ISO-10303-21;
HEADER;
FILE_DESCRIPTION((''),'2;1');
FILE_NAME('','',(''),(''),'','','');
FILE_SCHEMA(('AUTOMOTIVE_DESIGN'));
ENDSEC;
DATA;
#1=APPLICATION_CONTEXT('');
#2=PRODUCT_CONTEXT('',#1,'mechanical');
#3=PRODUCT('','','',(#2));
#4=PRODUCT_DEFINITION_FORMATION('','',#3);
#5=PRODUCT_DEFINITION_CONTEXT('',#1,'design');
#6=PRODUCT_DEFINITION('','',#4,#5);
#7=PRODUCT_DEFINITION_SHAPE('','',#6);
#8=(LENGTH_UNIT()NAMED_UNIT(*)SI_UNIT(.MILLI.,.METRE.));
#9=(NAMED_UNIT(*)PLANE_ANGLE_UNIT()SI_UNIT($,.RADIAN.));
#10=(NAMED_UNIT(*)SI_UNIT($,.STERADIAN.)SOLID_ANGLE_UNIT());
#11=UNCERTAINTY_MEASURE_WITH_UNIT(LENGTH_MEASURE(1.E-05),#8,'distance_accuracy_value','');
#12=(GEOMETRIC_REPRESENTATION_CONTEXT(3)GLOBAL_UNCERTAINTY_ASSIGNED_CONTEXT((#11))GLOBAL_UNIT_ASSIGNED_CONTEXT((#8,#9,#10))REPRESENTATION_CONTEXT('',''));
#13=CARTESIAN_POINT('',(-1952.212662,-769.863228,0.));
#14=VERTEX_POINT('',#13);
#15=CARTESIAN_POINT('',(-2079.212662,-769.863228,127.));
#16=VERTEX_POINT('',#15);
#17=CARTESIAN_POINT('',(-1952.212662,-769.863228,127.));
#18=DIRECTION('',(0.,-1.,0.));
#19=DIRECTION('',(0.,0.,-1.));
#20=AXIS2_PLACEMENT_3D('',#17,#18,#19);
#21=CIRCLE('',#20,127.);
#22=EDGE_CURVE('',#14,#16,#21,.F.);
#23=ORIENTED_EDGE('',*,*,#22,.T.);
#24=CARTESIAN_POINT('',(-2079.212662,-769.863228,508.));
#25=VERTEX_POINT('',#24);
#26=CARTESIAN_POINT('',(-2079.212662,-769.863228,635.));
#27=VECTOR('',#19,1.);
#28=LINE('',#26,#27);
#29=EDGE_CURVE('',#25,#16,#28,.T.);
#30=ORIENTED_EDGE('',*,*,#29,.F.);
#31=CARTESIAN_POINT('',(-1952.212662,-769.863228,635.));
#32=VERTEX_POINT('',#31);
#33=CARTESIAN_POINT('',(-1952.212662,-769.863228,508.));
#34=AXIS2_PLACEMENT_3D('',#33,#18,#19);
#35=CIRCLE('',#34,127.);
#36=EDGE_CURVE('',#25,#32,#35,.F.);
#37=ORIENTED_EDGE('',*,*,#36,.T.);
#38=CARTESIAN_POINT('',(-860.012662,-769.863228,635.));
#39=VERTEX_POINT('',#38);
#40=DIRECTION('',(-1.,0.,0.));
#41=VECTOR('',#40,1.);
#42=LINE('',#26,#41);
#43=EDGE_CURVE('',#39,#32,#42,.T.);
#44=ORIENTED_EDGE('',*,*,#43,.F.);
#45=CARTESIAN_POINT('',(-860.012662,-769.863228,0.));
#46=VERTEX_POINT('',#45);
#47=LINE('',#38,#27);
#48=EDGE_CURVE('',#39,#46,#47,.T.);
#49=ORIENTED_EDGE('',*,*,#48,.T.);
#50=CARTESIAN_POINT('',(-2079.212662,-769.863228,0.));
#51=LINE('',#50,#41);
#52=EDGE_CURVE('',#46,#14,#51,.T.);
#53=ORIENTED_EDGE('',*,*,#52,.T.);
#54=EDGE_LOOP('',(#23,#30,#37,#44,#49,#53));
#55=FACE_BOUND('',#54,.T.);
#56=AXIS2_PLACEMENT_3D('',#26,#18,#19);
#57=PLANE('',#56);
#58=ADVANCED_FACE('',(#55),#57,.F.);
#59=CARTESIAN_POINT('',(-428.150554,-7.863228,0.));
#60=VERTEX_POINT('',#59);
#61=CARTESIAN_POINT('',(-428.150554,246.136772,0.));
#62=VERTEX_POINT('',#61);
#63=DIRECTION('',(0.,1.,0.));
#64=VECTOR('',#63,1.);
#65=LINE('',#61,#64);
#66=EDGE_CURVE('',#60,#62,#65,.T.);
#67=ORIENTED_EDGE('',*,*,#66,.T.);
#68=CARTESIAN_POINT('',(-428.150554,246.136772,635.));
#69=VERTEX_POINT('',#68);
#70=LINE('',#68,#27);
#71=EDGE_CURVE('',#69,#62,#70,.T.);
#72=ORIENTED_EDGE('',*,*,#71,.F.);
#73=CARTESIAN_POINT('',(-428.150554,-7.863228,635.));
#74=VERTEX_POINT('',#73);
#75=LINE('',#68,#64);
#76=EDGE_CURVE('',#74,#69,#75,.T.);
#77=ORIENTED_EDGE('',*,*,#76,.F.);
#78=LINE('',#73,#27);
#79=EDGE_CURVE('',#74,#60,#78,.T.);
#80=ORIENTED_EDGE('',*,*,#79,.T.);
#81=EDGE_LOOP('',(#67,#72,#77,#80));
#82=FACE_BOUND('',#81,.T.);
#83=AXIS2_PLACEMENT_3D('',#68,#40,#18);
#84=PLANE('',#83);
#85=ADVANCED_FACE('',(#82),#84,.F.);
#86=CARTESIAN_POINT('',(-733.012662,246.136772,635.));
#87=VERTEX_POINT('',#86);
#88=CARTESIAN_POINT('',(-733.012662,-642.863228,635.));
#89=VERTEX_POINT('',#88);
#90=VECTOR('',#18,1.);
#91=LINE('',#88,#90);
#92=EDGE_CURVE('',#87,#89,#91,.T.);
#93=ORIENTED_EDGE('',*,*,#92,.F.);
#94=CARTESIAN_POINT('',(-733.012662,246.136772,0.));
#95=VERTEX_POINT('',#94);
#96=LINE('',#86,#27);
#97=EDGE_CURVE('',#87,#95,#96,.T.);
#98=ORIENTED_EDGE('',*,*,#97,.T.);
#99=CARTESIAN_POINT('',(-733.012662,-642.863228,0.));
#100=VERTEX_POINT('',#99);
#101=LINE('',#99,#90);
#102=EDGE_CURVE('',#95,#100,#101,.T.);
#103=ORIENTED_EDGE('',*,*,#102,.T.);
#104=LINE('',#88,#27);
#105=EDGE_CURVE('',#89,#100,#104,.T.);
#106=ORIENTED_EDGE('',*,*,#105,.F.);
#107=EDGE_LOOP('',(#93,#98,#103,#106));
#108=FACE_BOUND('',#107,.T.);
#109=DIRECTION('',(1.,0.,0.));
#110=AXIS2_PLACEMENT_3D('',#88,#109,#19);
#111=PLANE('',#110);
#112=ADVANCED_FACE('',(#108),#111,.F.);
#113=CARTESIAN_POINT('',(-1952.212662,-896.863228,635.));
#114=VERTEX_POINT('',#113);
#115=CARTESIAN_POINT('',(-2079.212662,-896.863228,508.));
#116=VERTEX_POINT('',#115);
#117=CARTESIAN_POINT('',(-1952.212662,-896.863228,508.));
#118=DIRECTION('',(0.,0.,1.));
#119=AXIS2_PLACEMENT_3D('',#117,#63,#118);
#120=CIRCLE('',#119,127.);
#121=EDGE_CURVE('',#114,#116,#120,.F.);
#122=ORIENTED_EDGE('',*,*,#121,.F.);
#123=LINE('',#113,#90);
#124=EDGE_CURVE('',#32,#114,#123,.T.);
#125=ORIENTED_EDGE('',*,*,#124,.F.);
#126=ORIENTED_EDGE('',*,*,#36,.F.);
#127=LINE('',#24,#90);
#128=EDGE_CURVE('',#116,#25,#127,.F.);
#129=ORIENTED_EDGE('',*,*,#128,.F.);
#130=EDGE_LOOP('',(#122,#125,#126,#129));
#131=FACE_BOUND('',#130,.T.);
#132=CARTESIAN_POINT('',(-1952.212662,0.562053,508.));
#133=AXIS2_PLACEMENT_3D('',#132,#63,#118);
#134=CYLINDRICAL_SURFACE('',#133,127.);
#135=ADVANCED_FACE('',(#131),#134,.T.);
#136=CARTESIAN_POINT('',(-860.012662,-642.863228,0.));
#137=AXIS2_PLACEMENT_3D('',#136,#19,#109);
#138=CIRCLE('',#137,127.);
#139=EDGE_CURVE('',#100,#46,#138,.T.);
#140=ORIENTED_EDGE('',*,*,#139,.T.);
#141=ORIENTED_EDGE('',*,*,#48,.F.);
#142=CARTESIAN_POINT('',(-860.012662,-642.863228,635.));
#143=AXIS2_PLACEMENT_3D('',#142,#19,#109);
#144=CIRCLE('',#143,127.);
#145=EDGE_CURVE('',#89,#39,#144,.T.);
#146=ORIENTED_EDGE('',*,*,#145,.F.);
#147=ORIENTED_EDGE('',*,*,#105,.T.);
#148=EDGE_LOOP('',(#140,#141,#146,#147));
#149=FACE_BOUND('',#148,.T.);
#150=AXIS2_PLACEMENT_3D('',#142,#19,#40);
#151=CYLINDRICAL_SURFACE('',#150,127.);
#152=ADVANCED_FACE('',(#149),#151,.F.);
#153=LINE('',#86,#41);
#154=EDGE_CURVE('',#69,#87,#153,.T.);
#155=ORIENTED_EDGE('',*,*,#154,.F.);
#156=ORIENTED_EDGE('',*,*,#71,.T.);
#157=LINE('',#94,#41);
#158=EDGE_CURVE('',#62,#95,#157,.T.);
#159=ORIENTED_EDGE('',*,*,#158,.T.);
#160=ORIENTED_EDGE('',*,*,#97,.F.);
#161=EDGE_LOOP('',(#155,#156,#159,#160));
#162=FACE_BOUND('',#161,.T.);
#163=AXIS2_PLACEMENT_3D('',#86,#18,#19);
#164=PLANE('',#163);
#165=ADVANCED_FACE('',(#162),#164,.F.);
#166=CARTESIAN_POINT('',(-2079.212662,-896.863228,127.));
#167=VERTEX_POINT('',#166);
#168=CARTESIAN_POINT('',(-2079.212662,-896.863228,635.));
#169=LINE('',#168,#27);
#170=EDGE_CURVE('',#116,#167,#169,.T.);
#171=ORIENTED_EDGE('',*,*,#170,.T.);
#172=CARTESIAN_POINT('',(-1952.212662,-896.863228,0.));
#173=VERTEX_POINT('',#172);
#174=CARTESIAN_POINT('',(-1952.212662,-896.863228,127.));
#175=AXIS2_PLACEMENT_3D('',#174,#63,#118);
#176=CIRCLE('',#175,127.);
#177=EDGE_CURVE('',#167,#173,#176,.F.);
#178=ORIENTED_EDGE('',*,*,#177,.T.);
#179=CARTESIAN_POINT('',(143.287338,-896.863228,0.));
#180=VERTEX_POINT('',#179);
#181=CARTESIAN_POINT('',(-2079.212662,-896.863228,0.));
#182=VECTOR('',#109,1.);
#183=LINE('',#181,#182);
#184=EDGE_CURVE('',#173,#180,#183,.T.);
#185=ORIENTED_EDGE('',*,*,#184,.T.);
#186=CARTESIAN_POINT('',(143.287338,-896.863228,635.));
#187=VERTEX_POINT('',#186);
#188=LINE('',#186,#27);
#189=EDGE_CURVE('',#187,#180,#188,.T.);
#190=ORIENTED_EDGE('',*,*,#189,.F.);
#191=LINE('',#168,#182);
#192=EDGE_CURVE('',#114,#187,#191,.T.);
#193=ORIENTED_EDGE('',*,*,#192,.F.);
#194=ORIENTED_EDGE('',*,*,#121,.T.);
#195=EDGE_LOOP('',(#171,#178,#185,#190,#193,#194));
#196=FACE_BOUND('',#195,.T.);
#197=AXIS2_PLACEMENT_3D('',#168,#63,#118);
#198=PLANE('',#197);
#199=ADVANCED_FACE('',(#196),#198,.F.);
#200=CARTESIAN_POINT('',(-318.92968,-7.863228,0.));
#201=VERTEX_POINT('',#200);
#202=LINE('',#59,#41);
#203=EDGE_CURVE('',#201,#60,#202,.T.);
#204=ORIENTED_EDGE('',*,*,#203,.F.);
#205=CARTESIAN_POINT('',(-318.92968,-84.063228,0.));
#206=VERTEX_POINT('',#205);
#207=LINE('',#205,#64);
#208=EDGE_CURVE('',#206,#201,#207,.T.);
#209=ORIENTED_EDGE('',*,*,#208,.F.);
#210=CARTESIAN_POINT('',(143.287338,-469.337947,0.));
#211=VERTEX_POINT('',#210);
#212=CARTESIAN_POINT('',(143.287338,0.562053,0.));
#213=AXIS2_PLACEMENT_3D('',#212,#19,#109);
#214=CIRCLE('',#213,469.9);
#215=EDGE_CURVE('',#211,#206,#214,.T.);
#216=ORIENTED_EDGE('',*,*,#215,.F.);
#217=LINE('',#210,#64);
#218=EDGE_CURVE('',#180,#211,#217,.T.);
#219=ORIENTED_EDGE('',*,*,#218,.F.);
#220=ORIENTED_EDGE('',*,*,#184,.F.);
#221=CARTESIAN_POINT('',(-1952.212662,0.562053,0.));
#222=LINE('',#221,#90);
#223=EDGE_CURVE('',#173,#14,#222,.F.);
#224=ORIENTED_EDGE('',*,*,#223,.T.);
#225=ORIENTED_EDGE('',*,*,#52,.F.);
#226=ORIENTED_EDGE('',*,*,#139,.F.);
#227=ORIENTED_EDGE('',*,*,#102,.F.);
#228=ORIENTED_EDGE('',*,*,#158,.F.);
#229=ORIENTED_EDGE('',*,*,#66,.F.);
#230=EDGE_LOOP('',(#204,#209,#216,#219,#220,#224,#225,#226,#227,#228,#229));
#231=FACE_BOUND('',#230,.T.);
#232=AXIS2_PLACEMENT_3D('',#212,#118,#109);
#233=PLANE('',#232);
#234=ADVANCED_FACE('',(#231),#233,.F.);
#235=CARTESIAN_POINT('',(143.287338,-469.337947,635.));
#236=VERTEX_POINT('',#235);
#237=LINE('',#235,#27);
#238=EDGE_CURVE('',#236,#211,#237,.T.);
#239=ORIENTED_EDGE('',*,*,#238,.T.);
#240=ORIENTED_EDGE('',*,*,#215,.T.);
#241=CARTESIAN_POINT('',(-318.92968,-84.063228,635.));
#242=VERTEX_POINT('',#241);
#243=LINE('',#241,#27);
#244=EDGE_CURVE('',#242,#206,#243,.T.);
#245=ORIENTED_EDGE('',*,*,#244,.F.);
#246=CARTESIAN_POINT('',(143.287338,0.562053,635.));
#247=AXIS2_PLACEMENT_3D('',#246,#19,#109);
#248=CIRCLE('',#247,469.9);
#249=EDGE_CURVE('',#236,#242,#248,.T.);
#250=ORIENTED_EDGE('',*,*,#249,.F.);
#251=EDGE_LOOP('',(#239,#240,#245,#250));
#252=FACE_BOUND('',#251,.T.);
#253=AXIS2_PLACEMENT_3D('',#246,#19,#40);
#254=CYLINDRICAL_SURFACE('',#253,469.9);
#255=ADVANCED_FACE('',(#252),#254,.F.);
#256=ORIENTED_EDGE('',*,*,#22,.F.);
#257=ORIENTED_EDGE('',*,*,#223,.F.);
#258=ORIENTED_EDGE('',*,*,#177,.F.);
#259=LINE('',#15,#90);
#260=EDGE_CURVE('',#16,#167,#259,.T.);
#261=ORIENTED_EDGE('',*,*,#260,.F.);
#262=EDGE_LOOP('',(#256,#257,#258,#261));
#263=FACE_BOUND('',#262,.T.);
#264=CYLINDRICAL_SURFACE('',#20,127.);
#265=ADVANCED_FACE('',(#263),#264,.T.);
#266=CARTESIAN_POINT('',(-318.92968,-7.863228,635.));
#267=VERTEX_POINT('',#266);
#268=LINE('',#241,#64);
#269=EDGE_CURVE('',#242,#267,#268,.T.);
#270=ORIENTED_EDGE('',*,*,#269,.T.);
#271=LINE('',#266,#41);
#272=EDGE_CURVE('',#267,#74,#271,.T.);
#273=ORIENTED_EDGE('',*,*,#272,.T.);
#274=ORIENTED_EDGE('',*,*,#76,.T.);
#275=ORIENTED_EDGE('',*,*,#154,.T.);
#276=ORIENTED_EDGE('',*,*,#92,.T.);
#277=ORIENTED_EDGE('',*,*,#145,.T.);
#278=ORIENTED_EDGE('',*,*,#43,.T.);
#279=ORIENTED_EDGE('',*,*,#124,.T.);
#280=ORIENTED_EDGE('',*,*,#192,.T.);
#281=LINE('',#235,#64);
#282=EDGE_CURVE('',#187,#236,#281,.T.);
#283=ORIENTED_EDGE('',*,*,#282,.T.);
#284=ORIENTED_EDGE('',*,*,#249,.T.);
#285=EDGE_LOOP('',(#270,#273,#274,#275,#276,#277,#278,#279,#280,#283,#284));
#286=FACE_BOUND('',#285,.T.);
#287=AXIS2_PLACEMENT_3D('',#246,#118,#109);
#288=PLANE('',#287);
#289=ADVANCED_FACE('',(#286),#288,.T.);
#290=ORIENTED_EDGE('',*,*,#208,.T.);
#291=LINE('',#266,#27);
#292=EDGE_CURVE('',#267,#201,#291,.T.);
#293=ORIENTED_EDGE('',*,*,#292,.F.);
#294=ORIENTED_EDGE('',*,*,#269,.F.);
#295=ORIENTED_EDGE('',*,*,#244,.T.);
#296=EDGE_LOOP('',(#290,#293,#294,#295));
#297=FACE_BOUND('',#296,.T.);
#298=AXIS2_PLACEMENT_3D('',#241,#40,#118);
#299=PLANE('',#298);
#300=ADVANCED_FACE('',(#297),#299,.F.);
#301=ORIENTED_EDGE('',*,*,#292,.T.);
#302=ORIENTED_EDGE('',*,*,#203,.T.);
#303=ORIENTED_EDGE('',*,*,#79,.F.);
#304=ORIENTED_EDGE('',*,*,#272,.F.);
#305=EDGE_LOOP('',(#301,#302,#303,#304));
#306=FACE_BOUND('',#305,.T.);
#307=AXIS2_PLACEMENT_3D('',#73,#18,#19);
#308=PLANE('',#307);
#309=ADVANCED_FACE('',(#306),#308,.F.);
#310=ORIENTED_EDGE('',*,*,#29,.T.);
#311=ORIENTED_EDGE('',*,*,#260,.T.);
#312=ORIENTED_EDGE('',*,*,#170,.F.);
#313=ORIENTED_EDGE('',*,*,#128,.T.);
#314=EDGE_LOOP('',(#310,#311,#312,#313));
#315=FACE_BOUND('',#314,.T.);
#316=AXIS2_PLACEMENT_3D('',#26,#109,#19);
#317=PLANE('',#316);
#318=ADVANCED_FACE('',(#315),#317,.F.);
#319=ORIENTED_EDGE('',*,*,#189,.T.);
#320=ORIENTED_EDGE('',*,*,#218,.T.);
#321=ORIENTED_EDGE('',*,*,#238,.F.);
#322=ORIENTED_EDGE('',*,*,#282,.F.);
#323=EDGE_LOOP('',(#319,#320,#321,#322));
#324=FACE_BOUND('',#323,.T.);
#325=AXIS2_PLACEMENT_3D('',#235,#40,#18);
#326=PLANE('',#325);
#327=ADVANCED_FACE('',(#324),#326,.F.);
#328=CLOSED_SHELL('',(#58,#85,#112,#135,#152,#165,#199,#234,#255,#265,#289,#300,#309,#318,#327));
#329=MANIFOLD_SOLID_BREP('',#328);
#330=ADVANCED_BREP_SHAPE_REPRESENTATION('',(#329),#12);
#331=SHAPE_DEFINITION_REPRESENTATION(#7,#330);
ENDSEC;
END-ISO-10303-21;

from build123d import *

# Parameters (mm, degrees)
BOSS_EXTRUDE1_DEPTH = 635
FILLET5_R           = 127
FILLET6_R           = 127


with BuildPart() as part:
    # Sketch3 → Boss-Extrude1 (new body)
    with BuildSketch(Plane.XY):
        with BuildLine():
            Line((-2079.212661728, -769.863228), (-860.012661728, -769.863228))
            ThreePointArc((-860.012661728, -769.863228), (-770.210100518, -732.665789211), (-733.012661728, -642.863228))
            Line((-733.012661728, -642.863228), (-733.012661728, 246.136772))
            Line((-733.012661728, 246.136772), (-428.150553924, 246.136772))
            Line((-428.150553924, 246.136772), (-428.150553924, -7.863228))
            Line((-428.150553924, -7.863228), (-326.612661728, -7.863228))
            Line((-326.612661728, -7.863228), (-318.929679791, -7.863228))
            Line((-318.929679791, -7.863228), (-318.929679791, -84.063228))
            ThreePointArc((-318.929679791, -84.063228), (-157.578570713, -360.389072068), (143.287338272, -469.33794683))
            Line((143.287338272, -469.33794683), (143.287338272, -896.863228))
            Line((143.287338272, -896.863228), (-2079.212661728, -896.863228))
            Line((-2079.212661728, -896.863228), (-2079.212661728, -769.863228))
        make_face()
    extrude(amount=BOSS_EXTRUDE1_DEPTH)

    # Fillet5
    fillet5_edges = [part.edges().sort_by_distance(p)[0] for p in [
        (-2079.212661728, -833.363228, 635),
    ]]
    fillet(fillet5_edges, radius=FILLET5_R)

    # Fillet6
    fillet6_edges = [part.edges().sort_by_distance(p)[0] for p in [
        (-2079.212661728, -833.363228, 0),
    ]]
    fillet(fillet6_edges, radius=FILLET6_R)


solid = part.part
